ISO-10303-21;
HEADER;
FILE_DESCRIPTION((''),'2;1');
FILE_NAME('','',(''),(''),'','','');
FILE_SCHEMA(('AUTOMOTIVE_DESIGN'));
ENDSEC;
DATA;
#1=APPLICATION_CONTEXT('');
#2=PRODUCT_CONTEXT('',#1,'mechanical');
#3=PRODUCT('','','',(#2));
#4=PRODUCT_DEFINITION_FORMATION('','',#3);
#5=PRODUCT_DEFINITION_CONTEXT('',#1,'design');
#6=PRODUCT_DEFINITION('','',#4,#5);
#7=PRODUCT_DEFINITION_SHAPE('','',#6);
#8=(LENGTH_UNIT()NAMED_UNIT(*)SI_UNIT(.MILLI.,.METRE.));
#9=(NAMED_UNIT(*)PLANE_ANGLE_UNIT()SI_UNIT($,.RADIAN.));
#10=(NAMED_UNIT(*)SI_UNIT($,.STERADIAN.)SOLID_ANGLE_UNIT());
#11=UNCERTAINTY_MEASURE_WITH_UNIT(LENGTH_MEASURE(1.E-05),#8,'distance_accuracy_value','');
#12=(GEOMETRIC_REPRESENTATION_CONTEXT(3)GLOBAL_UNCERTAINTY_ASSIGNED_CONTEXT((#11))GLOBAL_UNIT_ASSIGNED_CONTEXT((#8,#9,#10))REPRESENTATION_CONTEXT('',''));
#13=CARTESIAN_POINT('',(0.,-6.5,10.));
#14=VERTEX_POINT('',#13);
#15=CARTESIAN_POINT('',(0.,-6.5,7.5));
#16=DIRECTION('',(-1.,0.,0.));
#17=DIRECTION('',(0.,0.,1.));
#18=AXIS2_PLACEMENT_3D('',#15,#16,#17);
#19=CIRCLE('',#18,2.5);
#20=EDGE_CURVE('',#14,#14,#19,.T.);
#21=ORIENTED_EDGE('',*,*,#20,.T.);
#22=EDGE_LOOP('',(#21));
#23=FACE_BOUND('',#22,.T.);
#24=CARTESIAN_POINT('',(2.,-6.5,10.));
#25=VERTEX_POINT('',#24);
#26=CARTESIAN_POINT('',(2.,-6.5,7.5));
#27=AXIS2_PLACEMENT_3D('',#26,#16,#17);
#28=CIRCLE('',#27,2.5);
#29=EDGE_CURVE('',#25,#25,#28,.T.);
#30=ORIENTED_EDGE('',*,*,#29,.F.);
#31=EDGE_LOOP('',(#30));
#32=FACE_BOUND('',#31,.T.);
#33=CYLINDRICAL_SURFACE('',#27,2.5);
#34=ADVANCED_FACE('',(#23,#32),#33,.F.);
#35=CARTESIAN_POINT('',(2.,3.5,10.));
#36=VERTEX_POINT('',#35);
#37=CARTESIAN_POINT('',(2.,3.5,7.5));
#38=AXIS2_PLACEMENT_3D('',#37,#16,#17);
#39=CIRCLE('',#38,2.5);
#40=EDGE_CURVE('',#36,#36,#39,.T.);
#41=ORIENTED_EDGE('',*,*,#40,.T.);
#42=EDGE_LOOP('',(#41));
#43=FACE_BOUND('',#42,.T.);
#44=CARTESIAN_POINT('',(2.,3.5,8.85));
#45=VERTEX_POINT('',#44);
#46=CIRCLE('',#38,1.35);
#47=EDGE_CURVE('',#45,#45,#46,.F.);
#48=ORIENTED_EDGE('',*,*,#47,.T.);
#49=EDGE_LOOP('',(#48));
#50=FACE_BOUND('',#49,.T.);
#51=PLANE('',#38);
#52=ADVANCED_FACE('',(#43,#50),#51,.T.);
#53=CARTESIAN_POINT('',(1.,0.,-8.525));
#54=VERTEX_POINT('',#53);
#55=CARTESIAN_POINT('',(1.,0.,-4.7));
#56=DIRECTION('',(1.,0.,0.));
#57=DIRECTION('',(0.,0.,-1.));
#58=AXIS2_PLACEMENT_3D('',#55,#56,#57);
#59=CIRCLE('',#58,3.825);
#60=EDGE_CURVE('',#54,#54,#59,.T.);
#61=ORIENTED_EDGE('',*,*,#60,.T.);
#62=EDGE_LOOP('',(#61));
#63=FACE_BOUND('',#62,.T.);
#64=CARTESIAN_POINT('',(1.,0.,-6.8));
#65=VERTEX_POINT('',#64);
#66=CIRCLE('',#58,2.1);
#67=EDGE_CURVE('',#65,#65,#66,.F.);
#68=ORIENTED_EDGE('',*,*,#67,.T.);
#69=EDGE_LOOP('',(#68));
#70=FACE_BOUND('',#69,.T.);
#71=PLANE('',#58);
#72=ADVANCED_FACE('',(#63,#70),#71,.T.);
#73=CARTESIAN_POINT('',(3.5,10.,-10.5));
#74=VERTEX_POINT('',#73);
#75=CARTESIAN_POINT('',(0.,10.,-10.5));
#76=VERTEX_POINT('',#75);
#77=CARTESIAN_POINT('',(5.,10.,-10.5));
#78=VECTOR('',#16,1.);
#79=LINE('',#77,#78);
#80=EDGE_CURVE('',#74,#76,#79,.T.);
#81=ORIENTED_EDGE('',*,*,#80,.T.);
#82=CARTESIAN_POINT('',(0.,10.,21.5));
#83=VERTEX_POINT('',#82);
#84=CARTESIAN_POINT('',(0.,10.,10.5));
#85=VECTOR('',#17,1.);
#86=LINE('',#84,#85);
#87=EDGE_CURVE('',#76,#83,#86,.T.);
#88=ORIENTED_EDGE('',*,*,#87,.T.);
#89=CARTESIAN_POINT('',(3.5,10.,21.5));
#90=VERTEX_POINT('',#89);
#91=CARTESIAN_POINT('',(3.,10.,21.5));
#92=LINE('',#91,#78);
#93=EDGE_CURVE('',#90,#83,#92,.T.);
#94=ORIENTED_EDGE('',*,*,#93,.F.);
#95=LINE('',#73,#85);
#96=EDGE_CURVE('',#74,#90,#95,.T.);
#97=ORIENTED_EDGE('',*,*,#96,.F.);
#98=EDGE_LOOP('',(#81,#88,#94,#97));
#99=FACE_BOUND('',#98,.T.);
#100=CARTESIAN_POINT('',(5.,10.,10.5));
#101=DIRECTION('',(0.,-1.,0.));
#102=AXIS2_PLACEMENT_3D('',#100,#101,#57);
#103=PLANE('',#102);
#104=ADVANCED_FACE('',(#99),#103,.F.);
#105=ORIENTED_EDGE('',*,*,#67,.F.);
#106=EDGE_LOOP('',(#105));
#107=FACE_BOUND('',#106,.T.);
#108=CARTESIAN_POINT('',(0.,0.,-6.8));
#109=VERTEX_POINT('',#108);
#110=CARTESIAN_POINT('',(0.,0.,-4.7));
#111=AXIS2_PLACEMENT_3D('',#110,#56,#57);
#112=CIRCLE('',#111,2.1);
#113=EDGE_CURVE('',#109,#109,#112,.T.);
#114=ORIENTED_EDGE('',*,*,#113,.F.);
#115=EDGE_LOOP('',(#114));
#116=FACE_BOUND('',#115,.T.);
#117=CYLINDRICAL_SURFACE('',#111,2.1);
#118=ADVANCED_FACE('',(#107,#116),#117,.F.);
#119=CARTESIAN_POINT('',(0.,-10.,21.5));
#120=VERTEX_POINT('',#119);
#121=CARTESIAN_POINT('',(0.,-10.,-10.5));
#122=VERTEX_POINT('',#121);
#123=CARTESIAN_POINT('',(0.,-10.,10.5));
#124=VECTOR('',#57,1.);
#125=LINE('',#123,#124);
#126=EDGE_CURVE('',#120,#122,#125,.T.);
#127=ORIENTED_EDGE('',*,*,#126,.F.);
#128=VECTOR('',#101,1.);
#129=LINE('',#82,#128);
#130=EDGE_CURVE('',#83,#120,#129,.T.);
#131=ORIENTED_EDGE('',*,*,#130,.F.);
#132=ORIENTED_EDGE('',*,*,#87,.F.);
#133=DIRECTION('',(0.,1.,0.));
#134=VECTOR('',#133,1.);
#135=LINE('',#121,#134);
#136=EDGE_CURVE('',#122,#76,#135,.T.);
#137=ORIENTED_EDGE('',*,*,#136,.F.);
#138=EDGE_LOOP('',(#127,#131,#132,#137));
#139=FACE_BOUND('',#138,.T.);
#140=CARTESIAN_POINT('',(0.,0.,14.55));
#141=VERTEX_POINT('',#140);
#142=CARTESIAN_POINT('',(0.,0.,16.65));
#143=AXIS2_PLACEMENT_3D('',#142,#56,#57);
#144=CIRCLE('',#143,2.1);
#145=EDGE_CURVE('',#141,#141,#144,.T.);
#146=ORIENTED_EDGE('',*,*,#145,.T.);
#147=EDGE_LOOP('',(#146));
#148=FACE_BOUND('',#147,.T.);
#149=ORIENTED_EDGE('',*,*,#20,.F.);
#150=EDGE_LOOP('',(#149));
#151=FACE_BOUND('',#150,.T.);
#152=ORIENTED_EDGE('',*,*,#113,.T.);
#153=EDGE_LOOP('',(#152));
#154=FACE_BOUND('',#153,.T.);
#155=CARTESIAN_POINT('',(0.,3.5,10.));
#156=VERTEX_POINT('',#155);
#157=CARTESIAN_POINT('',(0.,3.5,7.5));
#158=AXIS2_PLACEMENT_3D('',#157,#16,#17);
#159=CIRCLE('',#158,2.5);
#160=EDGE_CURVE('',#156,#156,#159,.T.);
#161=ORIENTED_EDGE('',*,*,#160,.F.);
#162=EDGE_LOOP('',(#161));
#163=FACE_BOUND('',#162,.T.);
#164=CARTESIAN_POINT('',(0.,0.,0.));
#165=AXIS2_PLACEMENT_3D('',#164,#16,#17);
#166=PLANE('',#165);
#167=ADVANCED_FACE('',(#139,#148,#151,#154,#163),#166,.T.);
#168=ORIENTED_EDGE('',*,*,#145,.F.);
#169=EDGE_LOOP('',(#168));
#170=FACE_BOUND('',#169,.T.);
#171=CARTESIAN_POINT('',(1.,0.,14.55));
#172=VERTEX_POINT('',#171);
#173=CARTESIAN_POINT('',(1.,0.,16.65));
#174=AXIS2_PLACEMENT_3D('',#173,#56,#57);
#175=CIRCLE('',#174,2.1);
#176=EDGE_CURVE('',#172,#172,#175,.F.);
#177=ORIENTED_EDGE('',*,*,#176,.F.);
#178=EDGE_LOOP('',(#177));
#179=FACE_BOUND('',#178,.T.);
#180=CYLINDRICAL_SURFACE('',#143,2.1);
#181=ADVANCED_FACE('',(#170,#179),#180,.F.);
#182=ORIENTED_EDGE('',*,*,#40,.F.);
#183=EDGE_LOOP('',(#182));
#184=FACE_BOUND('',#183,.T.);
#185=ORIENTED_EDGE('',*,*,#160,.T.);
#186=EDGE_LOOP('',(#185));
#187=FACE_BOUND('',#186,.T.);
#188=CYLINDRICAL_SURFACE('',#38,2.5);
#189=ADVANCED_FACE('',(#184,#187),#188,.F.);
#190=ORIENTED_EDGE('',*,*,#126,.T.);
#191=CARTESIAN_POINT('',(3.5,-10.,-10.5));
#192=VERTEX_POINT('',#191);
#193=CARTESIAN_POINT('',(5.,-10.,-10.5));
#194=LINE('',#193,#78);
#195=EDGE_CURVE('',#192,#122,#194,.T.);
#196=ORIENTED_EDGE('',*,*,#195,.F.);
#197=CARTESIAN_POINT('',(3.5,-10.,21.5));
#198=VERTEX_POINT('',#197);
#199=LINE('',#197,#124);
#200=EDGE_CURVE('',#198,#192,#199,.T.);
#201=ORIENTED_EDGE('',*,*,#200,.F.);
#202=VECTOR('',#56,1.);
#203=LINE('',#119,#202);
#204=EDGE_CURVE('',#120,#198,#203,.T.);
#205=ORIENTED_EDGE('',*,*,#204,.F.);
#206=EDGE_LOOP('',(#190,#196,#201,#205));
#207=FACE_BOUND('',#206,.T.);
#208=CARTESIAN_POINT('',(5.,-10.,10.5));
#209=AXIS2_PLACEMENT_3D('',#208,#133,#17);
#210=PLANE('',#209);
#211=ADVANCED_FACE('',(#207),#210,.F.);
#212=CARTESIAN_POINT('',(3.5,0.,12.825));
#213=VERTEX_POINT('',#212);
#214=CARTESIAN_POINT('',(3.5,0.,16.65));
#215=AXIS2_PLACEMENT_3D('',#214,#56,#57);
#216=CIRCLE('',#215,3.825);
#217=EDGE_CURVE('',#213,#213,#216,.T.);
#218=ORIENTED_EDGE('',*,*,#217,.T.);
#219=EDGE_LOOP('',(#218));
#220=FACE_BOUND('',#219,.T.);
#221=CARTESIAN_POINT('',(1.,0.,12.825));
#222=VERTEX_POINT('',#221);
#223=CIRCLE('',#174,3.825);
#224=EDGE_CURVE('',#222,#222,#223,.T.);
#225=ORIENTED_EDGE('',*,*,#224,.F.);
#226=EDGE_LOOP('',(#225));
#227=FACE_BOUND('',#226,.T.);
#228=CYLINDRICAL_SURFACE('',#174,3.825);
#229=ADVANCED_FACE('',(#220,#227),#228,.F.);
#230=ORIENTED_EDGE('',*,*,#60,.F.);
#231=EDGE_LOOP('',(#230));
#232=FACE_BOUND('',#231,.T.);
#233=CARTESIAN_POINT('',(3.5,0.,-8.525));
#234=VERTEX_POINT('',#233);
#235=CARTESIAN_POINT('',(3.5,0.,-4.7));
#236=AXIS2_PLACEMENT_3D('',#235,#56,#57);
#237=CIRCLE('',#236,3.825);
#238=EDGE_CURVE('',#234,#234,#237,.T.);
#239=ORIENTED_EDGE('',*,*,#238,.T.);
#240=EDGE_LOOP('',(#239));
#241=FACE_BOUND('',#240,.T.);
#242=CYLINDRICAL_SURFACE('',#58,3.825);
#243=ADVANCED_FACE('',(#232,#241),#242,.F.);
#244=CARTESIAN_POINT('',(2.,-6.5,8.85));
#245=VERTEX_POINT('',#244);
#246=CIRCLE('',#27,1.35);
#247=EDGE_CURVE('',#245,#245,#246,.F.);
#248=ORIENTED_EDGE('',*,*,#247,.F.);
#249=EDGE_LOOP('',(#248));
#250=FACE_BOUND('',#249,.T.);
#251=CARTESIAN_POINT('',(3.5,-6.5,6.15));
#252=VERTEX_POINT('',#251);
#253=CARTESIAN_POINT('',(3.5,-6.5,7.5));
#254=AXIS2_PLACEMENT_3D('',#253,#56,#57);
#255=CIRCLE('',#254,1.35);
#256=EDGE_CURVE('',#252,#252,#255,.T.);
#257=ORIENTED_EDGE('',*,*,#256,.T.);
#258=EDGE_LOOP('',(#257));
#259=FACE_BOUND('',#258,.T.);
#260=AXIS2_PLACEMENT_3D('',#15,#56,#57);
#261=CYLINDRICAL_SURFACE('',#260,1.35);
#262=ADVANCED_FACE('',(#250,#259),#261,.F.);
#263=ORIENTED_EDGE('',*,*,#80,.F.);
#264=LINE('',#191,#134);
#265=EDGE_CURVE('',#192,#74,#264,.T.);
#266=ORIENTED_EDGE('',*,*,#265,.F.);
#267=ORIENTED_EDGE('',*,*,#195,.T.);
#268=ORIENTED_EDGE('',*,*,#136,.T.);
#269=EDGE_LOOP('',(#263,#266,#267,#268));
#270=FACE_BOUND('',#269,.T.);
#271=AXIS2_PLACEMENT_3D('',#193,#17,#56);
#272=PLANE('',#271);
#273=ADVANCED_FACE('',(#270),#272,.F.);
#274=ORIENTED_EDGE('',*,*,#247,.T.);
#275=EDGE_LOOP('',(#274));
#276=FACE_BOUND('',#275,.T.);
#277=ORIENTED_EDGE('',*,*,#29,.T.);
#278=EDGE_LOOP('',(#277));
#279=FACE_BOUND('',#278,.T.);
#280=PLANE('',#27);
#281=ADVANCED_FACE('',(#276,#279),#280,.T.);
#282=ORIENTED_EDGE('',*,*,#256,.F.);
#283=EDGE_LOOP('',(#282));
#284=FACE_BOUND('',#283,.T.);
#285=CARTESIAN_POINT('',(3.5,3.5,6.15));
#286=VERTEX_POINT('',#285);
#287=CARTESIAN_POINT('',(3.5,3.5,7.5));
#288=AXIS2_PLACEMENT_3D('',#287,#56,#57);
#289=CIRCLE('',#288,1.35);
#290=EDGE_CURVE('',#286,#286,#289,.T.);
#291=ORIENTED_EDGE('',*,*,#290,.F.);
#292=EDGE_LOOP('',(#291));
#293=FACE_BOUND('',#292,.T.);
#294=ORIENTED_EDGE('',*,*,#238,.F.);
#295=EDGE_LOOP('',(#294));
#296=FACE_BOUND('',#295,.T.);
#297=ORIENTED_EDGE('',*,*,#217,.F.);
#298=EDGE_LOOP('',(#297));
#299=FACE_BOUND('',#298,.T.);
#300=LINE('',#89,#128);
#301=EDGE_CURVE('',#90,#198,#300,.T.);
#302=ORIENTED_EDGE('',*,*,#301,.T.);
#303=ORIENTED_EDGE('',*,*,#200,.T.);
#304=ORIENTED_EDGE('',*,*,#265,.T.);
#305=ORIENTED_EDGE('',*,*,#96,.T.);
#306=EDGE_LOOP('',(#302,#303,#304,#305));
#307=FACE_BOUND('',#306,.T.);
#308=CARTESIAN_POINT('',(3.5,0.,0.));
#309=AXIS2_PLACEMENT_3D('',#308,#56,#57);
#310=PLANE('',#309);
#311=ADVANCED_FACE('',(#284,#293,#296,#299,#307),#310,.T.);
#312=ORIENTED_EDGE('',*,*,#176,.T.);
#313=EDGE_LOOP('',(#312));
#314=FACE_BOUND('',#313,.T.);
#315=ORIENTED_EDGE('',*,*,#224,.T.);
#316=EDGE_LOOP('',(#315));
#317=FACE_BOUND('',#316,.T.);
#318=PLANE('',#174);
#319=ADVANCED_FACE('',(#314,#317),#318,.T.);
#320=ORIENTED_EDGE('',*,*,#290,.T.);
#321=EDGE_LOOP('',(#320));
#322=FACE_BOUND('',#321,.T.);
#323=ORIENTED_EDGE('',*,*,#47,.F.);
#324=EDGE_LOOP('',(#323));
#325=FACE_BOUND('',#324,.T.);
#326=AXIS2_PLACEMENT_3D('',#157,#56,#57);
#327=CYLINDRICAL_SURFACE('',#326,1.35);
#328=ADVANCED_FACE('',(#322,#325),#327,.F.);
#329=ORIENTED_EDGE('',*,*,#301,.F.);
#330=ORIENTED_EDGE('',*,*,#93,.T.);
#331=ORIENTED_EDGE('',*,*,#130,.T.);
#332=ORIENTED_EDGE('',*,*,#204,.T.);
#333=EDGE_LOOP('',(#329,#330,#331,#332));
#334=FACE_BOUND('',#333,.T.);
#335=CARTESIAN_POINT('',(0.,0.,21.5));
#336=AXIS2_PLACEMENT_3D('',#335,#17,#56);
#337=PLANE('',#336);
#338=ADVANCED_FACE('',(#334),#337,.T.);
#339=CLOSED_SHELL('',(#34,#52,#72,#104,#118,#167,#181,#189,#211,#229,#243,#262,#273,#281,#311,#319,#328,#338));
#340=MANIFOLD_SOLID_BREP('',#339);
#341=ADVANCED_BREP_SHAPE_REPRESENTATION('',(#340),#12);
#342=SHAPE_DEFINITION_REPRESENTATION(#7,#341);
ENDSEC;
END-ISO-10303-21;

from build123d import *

# Parameters (mm, degrees)
CROQUIS1_W              = 21
CROQUIS1_H              = 20
SALIENTE_EXTRUIR1_DEPTH = 5
CROQUIS2_R              = 1.35
CORTAR_EXTRUIR1_DEPTH   = 6
CROQUIS3_R              = 2.5
CORTAR_EXTRUIR2_DEPTH   = 2
CROQUIS4_R              = 2.1
CORTAR_EXTRUIR3_DEPTH   = 6
CROQUIS5_R              = 3.825
CORTAR_EXTRUIR4_DEPTH   = 4
CROQUIS7_W              = 21
CROQUIS7_H              = 20
CORTAR_EXTRUIR5_DEPTH   = 2
CROQUIS8_W              = 3
CROQUIS8_H              = 20
SALIENTE_EXTRUIR2_DEPTH = 11
CROQUIS9_R              = 2.1
CORTAR_EXTRUIR6_DEPTH   = 4
CROQUIS10_R             = 3.825
CORTAR_EXTRUIR7_DEPTH   = 2
CROQUIS11_W             = 32
CROQUIS11_H             = 20
CROQUIS11_R             = 3.825
CROQUIS11_R_2           = 1.35
SALIENTE_EXTRUIR3_DEPTH = 0.5


with BuildPart() as part:
    # Croquis1 → Saliente-Extruir1 (new body)
    with BuildSketch(Plane(origin=(0, 0, 0), x_dir=(0, 0, -1), z_dir=(1, 0, 0))):
        Rectangle(CROQUIS1_W, CROQUIS1_H)
    extrude(amount=SALIENTE_EXTRUIR1_DEPTH)

    # Croquis2 → Cortar-Extruir1 (cut, through all)
    with BuildSketch(Plane(origin=(5, 0, 0), x_dir=(0, 0, -1), z_dir=(1, 0, 0))):
        with Locations((-7.5, 3.5)):
            Circle(CROQUIS2_R)
        with Locations((-7.5, -6.5)):
            Circle(CROQUIS2_R)
    extrude(amount=-CORTAR_EXTRUIR1_DEPTH, mode=Mode.SUBTRACT)

    # Croquis3 → Cortar-Extruir2 (cut)
    with BuildSketch(Plane.ZY):
        with Locations((7.5, 3.5)):
            Circle(CROQUIS3_R)
        with Locations((7.5, -6.5)):
            Circle(CROQUIS3_R)
    extrude(amount=-CORTAR_EXTRUIR2_DEPTH, mode=Mode.SUBTRACT)

    # Croquis4 → Cortar-Extruir3 (cut, through all)
    with BuildSketch(Plane(origin=(5, 0, 0), x_dir=(0, 0, -1), z_dir=(1, 0, 0))):
        with Locations((4.7, 0)):
            Circle(CROQUIS4_R)
    extrude(amount=-CORTAR_EXTRUIR3_DEPTH, mode=Mode.SUBTRACT)

    # Croquis5 → Cortar-Extruir4 (cut)
    with BuildSketch(Plane(origin=(5, 0, 0), x_dir=(0, 0, -1), z_dir=(1, 0, 0))):
        with Locations((4.7, 0)):
            Circle(CROQUIS5_R)
    extrude(amount=-CORTAR_EXTRUIR4_DEPTH, mode=Mode.SUBTRACT)

    # Croquis7 → Cortar-Extruir5 (cut)
    with BuildSketch(Plane(origin=(5, 0, 0), x_dir=(0, 0, -1), z_dir=(1, 0, 0))):
        Rectangle(CROQUIS7_W, CROQUIS7_H)
    extrude(amount=-CORTAR_EXTRUIR5_DEPTH, mode=Mode.SUBTRACT)

    # Croquis8 → Saliente-Extruir2 (add)
    with BuildSketch(Plane.XY.offset(10.5)):
        with Locations((1.5, 0)):
            Rectangle(CROQUIS8_W, CROQUIS8_H)
    extrude(amount=SALIENTE_EXTRUIR2_DEPTH)

    # Croquis9 → Cortar-Extruir6 (cut, through all)
    with BuildSketch(Plane(origin=(3, 0, 0), x_dir=(0, 0, -1), z_dir=(1, 0, 0))):
        with Locations((-16.65, 0)):
            Circle(CROQUIS9_R)
    extrude(amount=-CORTAR_EXTRUIR6_DEPTH, mode=Mode.SUBTRACT)

    # Croquis10 → Cortar-Extruir7 (cut)
    with BuildSketch(Plane(origin=(3, 0, 0), x_dir=(0, 0, -1), z_dir=(1, 0, 0))):
        with Locations((-16.65, 0)):
            Circle(CROQUIS10_R)
    extrude(amount=-CORTAR_EXTRUIR7_DEPTH, mode=Mode.SUBTRACT)

    # Croquis11 → Saliente-Extruir3 (add)
    with BuildSketch(Plane(origin=(3, 0, 0), x_dir=(0, 0, -1), z_dir=(1, 0, 0))):
        with Locations((-5.5, 0)):
            Rectangle(CROQUIS11_W, CROQUIS11_H)
        with Locations((-16.65, 0)):
            Circle(CROQUIS11_R, mode=Mode.SUBTRACT)
        with Locations((-7.5, 3.5)):
            Circle(CROQUIS11_R_2, mode=Mode.SUBTRACT)
        with Locations((-7.5, -6.5)):
            Circle(CROQUIS11_R_2, mode=Mode.SUBTRACT)
        with Locations((4.7, 0)):
            Circle(CROQUIS11_R, mode=Mode.SUBTRACT)
    extrude(amount=SALIENTE_EXTRUIR3_DEPTH)


solid = part.part
